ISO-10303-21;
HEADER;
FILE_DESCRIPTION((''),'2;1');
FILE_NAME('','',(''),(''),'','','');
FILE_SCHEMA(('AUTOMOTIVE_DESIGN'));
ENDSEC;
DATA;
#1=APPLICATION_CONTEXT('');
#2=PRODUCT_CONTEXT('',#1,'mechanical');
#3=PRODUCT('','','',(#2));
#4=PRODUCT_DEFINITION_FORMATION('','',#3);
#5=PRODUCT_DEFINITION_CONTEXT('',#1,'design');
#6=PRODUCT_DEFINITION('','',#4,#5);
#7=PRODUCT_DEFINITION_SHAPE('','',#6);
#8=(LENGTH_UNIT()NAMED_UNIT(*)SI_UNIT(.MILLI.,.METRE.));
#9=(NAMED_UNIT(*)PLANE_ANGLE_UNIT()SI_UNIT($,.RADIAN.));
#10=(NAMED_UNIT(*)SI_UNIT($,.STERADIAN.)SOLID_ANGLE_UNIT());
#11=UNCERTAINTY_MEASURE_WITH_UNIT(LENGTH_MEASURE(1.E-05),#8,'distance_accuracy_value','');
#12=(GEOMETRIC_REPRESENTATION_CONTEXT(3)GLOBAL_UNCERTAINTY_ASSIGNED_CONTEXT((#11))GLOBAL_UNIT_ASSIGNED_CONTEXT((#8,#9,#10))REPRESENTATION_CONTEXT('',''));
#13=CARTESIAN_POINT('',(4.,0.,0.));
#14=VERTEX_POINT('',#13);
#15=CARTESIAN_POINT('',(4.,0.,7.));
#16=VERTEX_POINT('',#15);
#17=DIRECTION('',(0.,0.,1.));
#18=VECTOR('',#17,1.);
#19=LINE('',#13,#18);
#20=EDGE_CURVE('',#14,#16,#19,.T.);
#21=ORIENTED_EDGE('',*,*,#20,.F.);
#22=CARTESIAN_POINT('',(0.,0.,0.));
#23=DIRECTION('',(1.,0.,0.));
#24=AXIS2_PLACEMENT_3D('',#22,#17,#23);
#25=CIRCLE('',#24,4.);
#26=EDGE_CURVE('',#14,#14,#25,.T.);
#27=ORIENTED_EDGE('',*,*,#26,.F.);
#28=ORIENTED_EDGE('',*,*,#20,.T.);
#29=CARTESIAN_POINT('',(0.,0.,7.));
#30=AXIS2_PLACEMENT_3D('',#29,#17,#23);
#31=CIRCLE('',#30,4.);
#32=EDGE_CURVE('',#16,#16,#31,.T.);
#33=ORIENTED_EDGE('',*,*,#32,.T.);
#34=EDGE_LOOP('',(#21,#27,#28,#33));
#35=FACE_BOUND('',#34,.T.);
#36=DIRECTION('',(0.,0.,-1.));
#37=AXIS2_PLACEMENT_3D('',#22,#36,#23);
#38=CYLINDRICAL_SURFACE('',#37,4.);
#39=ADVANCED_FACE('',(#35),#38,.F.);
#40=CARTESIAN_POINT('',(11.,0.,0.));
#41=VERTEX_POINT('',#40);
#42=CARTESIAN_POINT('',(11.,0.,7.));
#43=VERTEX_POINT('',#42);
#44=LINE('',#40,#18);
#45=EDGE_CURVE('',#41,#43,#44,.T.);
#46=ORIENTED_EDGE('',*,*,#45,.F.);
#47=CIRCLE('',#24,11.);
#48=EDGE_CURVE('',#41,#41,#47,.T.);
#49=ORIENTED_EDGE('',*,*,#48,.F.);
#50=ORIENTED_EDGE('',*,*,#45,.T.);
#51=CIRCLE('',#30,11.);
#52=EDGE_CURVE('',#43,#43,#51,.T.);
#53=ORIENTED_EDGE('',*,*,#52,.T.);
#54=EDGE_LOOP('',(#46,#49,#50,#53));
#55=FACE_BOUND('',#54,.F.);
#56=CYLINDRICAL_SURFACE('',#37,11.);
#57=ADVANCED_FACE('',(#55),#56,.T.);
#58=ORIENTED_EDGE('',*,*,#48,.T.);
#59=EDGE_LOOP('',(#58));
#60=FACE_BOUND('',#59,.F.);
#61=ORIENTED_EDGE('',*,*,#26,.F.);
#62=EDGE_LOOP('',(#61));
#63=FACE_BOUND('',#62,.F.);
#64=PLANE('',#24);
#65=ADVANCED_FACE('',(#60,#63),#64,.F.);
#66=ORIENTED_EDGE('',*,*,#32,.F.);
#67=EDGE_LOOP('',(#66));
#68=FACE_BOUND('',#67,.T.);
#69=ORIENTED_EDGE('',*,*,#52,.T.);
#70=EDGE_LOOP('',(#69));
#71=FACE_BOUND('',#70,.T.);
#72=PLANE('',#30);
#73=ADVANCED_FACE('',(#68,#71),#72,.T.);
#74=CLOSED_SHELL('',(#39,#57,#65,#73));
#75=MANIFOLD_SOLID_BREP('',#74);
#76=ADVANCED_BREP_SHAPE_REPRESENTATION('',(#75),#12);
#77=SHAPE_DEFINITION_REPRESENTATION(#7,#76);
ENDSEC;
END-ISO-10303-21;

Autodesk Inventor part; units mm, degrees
ref_plane "YZ Plane" through (0, 0, 0) normal (1, 0, 0) x (0, 1, 0)
ref_plane "XZ Plane" through (0, 0, 0) normal (0, 1, 0) x (-1, 0, 0)
ref_plane "XY Plane" through (0, 0, 0) normal (0, 0, 1) x (1, 0, 0)
sketch "Sketch1" plane through (0, 0, 0) normal (0, 0, 1) x (1, 0, 0)
  circle A0 centre (0, 0) radius 4
  circle A1 centre (0, 0) radius 11
  dimension "d0" = 8
  dimension "d1" = 22
extrude "Extrusion1" add sketch "Sketch1" along normal blind 7
properties part number "rolamento"
